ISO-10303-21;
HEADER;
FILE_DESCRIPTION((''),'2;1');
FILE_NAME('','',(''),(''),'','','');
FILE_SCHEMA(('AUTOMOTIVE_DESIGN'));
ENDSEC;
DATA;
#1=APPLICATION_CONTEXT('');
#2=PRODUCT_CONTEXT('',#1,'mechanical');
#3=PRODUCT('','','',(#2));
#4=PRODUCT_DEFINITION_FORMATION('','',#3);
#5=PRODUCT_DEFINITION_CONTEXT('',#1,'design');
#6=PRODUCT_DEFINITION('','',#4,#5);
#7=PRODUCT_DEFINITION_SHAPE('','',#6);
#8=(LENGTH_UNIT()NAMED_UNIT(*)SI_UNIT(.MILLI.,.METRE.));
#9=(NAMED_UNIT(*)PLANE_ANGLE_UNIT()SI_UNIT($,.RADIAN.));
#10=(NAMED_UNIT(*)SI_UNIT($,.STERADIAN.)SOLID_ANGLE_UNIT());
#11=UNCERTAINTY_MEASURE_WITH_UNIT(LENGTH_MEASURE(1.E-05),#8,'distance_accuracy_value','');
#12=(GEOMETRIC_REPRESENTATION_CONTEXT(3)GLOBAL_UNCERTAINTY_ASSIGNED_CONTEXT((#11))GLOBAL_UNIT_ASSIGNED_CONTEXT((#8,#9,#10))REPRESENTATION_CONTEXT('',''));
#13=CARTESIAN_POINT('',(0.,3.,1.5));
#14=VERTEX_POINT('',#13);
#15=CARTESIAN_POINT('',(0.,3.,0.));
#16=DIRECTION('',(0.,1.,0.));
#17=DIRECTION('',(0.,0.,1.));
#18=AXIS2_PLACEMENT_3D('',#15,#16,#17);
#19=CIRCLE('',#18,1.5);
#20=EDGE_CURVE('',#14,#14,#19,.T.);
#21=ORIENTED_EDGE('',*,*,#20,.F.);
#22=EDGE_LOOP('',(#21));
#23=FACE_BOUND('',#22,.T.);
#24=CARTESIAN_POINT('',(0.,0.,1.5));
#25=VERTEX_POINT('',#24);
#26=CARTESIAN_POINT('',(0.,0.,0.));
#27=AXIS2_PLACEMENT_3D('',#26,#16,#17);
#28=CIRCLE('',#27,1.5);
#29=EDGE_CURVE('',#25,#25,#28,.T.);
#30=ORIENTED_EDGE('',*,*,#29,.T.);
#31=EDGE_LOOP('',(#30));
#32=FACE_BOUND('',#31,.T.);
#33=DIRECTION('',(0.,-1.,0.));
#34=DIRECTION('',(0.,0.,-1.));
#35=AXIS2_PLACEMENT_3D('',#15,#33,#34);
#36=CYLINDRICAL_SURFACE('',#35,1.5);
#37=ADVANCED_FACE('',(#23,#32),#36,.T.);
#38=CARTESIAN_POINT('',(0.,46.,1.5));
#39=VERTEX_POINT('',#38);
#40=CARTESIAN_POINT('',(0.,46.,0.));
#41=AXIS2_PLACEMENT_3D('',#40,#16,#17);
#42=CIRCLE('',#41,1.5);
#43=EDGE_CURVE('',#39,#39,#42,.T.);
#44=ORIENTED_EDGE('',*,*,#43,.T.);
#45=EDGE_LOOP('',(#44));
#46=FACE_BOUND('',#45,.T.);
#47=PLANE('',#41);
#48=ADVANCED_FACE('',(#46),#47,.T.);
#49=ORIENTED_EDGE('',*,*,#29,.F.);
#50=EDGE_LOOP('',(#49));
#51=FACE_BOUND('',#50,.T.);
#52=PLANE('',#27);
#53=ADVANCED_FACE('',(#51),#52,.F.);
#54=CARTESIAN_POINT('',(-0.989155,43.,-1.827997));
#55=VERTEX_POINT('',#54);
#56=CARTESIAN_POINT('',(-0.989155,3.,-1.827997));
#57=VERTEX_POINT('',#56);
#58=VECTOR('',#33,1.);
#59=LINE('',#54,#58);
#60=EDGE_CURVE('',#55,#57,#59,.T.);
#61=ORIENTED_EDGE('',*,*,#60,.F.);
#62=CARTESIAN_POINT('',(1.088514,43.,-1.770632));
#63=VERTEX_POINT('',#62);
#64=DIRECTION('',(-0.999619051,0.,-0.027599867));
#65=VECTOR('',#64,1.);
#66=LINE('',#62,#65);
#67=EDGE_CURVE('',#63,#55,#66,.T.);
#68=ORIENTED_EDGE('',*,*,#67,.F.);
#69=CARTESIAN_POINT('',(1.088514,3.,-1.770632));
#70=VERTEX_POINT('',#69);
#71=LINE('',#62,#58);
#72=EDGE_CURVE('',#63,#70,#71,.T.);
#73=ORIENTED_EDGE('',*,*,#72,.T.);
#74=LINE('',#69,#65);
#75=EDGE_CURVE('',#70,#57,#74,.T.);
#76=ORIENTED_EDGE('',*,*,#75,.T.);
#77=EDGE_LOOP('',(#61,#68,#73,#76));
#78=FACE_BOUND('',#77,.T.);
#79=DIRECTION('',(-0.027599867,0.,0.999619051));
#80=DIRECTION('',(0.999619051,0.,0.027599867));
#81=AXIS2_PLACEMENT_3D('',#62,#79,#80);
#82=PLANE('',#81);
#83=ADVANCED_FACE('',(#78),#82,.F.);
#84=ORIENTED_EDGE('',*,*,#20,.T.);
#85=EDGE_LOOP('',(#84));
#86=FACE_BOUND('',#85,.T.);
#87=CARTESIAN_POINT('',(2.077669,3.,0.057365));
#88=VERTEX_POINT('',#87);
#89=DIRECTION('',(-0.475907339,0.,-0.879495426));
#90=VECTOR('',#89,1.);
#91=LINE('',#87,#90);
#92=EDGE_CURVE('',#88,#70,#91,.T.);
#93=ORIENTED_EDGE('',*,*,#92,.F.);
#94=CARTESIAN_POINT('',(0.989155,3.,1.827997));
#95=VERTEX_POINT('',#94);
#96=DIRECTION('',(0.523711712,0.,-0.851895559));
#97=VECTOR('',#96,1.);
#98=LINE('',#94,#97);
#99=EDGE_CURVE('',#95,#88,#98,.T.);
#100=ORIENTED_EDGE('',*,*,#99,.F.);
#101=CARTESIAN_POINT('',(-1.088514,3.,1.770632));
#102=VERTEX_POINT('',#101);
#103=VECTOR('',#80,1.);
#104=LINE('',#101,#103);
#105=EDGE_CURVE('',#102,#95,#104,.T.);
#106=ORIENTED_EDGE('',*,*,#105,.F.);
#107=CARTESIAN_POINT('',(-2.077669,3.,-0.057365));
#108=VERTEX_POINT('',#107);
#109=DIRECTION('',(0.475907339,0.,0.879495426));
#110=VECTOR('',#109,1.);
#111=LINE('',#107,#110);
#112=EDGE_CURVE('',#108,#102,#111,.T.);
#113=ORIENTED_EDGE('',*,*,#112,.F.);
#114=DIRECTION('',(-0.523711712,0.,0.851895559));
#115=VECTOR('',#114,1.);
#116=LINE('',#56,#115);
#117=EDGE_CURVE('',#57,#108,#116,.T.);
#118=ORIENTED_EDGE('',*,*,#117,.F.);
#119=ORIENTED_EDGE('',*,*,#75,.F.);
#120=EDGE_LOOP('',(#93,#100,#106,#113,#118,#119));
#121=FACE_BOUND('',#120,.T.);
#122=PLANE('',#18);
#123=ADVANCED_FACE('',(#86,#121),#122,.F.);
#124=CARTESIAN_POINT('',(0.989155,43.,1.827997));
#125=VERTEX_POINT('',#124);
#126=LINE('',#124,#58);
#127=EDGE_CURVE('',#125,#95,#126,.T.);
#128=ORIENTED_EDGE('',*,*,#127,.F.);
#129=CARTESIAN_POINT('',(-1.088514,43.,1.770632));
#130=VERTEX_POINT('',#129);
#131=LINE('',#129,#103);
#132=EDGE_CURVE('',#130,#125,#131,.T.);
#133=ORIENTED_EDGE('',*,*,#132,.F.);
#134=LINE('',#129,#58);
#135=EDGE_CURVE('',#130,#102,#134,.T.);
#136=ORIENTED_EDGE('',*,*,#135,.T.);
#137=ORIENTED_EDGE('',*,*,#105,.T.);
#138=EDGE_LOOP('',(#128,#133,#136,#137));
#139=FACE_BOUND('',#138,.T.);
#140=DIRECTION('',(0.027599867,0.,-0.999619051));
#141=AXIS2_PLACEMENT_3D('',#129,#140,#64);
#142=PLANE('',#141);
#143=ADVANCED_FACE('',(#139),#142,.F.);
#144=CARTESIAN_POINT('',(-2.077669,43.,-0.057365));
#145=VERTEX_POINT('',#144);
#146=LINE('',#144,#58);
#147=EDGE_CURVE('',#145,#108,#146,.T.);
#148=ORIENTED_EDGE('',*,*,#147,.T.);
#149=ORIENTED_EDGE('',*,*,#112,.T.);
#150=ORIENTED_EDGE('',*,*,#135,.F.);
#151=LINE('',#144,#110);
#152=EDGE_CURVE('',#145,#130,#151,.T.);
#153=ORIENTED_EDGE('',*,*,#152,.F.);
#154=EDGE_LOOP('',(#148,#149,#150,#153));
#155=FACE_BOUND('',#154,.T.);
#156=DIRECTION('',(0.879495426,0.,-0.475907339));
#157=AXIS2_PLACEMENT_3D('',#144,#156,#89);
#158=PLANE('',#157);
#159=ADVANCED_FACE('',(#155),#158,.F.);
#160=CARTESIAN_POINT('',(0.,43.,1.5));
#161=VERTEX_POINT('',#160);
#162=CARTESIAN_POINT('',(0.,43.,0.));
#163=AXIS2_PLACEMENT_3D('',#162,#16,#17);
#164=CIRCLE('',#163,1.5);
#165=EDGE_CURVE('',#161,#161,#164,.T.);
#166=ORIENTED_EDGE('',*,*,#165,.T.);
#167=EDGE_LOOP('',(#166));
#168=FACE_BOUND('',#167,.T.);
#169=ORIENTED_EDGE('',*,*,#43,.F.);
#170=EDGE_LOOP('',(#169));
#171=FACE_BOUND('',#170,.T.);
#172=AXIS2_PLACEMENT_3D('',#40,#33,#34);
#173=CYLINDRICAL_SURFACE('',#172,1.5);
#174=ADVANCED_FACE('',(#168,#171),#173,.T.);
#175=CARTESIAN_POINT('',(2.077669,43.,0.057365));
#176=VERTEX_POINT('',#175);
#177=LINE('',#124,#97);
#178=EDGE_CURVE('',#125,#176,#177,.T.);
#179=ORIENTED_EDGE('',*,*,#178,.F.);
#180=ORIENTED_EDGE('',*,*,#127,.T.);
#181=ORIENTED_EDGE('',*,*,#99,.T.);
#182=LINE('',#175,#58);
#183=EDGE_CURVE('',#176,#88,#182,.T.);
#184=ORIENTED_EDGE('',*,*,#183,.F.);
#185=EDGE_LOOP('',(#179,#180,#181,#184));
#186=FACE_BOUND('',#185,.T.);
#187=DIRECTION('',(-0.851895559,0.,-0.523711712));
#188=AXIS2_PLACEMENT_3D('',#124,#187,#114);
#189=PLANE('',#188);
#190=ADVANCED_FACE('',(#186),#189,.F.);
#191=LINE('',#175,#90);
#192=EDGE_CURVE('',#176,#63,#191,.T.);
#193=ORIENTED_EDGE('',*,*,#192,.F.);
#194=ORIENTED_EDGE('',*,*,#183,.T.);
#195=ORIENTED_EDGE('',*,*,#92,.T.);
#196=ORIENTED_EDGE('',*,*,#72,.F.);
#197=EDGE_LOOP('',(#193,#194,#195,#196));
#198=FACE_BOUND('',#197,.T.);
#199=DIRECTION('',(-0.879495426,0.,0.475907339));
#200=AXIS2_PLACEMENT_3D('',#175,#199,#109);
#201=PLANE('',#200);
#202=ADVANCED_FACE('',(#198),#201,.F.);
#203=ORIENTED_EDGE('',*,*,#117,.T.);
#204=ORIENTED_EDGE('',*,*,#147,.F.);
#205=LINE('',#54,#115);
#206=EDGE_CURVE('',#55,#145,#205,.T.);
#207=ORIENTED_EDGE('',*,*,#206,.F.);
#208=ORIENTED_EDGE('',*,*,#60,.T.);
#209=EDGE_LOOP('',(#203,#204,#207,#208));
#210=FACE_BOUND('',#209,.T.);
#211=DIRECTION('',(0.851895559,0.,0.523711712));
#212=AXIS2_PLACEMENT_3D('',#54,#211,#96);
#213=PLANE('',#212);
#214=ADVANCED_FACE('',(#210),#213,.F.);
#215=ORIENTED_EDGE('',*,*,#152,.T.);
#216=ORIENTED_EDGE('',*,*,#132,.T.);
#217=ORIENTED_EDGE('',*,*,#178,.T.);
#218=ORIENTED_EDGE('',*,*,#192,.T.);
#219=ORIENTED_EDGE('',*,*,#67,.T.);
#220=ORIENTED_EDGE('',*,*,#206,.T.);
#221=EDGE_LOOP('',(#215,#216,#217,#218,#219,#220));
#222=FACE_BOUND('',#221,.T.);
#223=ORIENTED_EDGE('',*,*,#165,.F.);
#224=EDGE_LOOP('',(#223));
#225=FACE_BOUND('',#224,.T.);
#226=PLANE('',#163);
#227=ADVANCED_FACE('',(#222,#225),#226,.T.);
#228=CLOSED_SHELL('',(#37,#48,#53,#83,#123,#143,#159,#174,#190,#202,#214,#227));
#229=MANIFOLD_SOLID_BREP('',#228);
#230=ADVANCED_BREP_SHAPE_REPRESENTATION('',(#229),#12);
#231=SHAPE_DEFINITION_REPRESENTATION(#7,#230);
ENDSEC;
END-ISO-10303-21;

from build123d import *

# Parameters (mm, degrees)
SKETCH1_R           = 1.5
BOSS_EXTRUDE1_DEPTH = 3
BOSS_EXTRUDE2_DEPTH = 40
SKETCH3_R           = 1.5
BOSS_EXTRUDE3_DEPTH = 3


with BuildPart() as part:
    # Sketch1 → Boss-Extrude1 (new body)
    with BuildSketch(Plane(origin=(0, 0, 0), x_dir=(1, 0, 0), z_dir=(0, 1, 0))):
        with Locations(Location((0, 0, 0), (0, 0, 270))):
            Circle(SKETCH1_R)
    extrude(amount=BOSS_EXTRUDE1_DEPTH)

    # Sketch2 → Boss-Extrude2 (add)
    with BuildSketch(Plane(origin=(0, 3, 0), x_dir=(1, 0, 0), z_dir=(0, 1, 0))):
        Polygon((-0.98915483, 1.827996915), (-2.077669182, 0.057365247), (-1.088514352, -1.770631668), (0.98915483, -1.827996915), (2.077669182, -0.057365247), (1.088514352, 1.770631668), align=None)
    extrude(amount=BOSS_EXTRUDE2_DEPTH)

    # Sketch3 → Boss-Extrude3 (add)
    with BuildSketch(Plane(origin=(0, 43, 0), x_dir=(1, 0, 0), z_dir=(0, 1, 0))):
        with Locations(Location((0, 0, 0), (0, 0, 270))):
            Circle(SKETCH3_R)
    extrude(amount=BOSS_EXTRUDE3_DEPTH)


solid = part.part
